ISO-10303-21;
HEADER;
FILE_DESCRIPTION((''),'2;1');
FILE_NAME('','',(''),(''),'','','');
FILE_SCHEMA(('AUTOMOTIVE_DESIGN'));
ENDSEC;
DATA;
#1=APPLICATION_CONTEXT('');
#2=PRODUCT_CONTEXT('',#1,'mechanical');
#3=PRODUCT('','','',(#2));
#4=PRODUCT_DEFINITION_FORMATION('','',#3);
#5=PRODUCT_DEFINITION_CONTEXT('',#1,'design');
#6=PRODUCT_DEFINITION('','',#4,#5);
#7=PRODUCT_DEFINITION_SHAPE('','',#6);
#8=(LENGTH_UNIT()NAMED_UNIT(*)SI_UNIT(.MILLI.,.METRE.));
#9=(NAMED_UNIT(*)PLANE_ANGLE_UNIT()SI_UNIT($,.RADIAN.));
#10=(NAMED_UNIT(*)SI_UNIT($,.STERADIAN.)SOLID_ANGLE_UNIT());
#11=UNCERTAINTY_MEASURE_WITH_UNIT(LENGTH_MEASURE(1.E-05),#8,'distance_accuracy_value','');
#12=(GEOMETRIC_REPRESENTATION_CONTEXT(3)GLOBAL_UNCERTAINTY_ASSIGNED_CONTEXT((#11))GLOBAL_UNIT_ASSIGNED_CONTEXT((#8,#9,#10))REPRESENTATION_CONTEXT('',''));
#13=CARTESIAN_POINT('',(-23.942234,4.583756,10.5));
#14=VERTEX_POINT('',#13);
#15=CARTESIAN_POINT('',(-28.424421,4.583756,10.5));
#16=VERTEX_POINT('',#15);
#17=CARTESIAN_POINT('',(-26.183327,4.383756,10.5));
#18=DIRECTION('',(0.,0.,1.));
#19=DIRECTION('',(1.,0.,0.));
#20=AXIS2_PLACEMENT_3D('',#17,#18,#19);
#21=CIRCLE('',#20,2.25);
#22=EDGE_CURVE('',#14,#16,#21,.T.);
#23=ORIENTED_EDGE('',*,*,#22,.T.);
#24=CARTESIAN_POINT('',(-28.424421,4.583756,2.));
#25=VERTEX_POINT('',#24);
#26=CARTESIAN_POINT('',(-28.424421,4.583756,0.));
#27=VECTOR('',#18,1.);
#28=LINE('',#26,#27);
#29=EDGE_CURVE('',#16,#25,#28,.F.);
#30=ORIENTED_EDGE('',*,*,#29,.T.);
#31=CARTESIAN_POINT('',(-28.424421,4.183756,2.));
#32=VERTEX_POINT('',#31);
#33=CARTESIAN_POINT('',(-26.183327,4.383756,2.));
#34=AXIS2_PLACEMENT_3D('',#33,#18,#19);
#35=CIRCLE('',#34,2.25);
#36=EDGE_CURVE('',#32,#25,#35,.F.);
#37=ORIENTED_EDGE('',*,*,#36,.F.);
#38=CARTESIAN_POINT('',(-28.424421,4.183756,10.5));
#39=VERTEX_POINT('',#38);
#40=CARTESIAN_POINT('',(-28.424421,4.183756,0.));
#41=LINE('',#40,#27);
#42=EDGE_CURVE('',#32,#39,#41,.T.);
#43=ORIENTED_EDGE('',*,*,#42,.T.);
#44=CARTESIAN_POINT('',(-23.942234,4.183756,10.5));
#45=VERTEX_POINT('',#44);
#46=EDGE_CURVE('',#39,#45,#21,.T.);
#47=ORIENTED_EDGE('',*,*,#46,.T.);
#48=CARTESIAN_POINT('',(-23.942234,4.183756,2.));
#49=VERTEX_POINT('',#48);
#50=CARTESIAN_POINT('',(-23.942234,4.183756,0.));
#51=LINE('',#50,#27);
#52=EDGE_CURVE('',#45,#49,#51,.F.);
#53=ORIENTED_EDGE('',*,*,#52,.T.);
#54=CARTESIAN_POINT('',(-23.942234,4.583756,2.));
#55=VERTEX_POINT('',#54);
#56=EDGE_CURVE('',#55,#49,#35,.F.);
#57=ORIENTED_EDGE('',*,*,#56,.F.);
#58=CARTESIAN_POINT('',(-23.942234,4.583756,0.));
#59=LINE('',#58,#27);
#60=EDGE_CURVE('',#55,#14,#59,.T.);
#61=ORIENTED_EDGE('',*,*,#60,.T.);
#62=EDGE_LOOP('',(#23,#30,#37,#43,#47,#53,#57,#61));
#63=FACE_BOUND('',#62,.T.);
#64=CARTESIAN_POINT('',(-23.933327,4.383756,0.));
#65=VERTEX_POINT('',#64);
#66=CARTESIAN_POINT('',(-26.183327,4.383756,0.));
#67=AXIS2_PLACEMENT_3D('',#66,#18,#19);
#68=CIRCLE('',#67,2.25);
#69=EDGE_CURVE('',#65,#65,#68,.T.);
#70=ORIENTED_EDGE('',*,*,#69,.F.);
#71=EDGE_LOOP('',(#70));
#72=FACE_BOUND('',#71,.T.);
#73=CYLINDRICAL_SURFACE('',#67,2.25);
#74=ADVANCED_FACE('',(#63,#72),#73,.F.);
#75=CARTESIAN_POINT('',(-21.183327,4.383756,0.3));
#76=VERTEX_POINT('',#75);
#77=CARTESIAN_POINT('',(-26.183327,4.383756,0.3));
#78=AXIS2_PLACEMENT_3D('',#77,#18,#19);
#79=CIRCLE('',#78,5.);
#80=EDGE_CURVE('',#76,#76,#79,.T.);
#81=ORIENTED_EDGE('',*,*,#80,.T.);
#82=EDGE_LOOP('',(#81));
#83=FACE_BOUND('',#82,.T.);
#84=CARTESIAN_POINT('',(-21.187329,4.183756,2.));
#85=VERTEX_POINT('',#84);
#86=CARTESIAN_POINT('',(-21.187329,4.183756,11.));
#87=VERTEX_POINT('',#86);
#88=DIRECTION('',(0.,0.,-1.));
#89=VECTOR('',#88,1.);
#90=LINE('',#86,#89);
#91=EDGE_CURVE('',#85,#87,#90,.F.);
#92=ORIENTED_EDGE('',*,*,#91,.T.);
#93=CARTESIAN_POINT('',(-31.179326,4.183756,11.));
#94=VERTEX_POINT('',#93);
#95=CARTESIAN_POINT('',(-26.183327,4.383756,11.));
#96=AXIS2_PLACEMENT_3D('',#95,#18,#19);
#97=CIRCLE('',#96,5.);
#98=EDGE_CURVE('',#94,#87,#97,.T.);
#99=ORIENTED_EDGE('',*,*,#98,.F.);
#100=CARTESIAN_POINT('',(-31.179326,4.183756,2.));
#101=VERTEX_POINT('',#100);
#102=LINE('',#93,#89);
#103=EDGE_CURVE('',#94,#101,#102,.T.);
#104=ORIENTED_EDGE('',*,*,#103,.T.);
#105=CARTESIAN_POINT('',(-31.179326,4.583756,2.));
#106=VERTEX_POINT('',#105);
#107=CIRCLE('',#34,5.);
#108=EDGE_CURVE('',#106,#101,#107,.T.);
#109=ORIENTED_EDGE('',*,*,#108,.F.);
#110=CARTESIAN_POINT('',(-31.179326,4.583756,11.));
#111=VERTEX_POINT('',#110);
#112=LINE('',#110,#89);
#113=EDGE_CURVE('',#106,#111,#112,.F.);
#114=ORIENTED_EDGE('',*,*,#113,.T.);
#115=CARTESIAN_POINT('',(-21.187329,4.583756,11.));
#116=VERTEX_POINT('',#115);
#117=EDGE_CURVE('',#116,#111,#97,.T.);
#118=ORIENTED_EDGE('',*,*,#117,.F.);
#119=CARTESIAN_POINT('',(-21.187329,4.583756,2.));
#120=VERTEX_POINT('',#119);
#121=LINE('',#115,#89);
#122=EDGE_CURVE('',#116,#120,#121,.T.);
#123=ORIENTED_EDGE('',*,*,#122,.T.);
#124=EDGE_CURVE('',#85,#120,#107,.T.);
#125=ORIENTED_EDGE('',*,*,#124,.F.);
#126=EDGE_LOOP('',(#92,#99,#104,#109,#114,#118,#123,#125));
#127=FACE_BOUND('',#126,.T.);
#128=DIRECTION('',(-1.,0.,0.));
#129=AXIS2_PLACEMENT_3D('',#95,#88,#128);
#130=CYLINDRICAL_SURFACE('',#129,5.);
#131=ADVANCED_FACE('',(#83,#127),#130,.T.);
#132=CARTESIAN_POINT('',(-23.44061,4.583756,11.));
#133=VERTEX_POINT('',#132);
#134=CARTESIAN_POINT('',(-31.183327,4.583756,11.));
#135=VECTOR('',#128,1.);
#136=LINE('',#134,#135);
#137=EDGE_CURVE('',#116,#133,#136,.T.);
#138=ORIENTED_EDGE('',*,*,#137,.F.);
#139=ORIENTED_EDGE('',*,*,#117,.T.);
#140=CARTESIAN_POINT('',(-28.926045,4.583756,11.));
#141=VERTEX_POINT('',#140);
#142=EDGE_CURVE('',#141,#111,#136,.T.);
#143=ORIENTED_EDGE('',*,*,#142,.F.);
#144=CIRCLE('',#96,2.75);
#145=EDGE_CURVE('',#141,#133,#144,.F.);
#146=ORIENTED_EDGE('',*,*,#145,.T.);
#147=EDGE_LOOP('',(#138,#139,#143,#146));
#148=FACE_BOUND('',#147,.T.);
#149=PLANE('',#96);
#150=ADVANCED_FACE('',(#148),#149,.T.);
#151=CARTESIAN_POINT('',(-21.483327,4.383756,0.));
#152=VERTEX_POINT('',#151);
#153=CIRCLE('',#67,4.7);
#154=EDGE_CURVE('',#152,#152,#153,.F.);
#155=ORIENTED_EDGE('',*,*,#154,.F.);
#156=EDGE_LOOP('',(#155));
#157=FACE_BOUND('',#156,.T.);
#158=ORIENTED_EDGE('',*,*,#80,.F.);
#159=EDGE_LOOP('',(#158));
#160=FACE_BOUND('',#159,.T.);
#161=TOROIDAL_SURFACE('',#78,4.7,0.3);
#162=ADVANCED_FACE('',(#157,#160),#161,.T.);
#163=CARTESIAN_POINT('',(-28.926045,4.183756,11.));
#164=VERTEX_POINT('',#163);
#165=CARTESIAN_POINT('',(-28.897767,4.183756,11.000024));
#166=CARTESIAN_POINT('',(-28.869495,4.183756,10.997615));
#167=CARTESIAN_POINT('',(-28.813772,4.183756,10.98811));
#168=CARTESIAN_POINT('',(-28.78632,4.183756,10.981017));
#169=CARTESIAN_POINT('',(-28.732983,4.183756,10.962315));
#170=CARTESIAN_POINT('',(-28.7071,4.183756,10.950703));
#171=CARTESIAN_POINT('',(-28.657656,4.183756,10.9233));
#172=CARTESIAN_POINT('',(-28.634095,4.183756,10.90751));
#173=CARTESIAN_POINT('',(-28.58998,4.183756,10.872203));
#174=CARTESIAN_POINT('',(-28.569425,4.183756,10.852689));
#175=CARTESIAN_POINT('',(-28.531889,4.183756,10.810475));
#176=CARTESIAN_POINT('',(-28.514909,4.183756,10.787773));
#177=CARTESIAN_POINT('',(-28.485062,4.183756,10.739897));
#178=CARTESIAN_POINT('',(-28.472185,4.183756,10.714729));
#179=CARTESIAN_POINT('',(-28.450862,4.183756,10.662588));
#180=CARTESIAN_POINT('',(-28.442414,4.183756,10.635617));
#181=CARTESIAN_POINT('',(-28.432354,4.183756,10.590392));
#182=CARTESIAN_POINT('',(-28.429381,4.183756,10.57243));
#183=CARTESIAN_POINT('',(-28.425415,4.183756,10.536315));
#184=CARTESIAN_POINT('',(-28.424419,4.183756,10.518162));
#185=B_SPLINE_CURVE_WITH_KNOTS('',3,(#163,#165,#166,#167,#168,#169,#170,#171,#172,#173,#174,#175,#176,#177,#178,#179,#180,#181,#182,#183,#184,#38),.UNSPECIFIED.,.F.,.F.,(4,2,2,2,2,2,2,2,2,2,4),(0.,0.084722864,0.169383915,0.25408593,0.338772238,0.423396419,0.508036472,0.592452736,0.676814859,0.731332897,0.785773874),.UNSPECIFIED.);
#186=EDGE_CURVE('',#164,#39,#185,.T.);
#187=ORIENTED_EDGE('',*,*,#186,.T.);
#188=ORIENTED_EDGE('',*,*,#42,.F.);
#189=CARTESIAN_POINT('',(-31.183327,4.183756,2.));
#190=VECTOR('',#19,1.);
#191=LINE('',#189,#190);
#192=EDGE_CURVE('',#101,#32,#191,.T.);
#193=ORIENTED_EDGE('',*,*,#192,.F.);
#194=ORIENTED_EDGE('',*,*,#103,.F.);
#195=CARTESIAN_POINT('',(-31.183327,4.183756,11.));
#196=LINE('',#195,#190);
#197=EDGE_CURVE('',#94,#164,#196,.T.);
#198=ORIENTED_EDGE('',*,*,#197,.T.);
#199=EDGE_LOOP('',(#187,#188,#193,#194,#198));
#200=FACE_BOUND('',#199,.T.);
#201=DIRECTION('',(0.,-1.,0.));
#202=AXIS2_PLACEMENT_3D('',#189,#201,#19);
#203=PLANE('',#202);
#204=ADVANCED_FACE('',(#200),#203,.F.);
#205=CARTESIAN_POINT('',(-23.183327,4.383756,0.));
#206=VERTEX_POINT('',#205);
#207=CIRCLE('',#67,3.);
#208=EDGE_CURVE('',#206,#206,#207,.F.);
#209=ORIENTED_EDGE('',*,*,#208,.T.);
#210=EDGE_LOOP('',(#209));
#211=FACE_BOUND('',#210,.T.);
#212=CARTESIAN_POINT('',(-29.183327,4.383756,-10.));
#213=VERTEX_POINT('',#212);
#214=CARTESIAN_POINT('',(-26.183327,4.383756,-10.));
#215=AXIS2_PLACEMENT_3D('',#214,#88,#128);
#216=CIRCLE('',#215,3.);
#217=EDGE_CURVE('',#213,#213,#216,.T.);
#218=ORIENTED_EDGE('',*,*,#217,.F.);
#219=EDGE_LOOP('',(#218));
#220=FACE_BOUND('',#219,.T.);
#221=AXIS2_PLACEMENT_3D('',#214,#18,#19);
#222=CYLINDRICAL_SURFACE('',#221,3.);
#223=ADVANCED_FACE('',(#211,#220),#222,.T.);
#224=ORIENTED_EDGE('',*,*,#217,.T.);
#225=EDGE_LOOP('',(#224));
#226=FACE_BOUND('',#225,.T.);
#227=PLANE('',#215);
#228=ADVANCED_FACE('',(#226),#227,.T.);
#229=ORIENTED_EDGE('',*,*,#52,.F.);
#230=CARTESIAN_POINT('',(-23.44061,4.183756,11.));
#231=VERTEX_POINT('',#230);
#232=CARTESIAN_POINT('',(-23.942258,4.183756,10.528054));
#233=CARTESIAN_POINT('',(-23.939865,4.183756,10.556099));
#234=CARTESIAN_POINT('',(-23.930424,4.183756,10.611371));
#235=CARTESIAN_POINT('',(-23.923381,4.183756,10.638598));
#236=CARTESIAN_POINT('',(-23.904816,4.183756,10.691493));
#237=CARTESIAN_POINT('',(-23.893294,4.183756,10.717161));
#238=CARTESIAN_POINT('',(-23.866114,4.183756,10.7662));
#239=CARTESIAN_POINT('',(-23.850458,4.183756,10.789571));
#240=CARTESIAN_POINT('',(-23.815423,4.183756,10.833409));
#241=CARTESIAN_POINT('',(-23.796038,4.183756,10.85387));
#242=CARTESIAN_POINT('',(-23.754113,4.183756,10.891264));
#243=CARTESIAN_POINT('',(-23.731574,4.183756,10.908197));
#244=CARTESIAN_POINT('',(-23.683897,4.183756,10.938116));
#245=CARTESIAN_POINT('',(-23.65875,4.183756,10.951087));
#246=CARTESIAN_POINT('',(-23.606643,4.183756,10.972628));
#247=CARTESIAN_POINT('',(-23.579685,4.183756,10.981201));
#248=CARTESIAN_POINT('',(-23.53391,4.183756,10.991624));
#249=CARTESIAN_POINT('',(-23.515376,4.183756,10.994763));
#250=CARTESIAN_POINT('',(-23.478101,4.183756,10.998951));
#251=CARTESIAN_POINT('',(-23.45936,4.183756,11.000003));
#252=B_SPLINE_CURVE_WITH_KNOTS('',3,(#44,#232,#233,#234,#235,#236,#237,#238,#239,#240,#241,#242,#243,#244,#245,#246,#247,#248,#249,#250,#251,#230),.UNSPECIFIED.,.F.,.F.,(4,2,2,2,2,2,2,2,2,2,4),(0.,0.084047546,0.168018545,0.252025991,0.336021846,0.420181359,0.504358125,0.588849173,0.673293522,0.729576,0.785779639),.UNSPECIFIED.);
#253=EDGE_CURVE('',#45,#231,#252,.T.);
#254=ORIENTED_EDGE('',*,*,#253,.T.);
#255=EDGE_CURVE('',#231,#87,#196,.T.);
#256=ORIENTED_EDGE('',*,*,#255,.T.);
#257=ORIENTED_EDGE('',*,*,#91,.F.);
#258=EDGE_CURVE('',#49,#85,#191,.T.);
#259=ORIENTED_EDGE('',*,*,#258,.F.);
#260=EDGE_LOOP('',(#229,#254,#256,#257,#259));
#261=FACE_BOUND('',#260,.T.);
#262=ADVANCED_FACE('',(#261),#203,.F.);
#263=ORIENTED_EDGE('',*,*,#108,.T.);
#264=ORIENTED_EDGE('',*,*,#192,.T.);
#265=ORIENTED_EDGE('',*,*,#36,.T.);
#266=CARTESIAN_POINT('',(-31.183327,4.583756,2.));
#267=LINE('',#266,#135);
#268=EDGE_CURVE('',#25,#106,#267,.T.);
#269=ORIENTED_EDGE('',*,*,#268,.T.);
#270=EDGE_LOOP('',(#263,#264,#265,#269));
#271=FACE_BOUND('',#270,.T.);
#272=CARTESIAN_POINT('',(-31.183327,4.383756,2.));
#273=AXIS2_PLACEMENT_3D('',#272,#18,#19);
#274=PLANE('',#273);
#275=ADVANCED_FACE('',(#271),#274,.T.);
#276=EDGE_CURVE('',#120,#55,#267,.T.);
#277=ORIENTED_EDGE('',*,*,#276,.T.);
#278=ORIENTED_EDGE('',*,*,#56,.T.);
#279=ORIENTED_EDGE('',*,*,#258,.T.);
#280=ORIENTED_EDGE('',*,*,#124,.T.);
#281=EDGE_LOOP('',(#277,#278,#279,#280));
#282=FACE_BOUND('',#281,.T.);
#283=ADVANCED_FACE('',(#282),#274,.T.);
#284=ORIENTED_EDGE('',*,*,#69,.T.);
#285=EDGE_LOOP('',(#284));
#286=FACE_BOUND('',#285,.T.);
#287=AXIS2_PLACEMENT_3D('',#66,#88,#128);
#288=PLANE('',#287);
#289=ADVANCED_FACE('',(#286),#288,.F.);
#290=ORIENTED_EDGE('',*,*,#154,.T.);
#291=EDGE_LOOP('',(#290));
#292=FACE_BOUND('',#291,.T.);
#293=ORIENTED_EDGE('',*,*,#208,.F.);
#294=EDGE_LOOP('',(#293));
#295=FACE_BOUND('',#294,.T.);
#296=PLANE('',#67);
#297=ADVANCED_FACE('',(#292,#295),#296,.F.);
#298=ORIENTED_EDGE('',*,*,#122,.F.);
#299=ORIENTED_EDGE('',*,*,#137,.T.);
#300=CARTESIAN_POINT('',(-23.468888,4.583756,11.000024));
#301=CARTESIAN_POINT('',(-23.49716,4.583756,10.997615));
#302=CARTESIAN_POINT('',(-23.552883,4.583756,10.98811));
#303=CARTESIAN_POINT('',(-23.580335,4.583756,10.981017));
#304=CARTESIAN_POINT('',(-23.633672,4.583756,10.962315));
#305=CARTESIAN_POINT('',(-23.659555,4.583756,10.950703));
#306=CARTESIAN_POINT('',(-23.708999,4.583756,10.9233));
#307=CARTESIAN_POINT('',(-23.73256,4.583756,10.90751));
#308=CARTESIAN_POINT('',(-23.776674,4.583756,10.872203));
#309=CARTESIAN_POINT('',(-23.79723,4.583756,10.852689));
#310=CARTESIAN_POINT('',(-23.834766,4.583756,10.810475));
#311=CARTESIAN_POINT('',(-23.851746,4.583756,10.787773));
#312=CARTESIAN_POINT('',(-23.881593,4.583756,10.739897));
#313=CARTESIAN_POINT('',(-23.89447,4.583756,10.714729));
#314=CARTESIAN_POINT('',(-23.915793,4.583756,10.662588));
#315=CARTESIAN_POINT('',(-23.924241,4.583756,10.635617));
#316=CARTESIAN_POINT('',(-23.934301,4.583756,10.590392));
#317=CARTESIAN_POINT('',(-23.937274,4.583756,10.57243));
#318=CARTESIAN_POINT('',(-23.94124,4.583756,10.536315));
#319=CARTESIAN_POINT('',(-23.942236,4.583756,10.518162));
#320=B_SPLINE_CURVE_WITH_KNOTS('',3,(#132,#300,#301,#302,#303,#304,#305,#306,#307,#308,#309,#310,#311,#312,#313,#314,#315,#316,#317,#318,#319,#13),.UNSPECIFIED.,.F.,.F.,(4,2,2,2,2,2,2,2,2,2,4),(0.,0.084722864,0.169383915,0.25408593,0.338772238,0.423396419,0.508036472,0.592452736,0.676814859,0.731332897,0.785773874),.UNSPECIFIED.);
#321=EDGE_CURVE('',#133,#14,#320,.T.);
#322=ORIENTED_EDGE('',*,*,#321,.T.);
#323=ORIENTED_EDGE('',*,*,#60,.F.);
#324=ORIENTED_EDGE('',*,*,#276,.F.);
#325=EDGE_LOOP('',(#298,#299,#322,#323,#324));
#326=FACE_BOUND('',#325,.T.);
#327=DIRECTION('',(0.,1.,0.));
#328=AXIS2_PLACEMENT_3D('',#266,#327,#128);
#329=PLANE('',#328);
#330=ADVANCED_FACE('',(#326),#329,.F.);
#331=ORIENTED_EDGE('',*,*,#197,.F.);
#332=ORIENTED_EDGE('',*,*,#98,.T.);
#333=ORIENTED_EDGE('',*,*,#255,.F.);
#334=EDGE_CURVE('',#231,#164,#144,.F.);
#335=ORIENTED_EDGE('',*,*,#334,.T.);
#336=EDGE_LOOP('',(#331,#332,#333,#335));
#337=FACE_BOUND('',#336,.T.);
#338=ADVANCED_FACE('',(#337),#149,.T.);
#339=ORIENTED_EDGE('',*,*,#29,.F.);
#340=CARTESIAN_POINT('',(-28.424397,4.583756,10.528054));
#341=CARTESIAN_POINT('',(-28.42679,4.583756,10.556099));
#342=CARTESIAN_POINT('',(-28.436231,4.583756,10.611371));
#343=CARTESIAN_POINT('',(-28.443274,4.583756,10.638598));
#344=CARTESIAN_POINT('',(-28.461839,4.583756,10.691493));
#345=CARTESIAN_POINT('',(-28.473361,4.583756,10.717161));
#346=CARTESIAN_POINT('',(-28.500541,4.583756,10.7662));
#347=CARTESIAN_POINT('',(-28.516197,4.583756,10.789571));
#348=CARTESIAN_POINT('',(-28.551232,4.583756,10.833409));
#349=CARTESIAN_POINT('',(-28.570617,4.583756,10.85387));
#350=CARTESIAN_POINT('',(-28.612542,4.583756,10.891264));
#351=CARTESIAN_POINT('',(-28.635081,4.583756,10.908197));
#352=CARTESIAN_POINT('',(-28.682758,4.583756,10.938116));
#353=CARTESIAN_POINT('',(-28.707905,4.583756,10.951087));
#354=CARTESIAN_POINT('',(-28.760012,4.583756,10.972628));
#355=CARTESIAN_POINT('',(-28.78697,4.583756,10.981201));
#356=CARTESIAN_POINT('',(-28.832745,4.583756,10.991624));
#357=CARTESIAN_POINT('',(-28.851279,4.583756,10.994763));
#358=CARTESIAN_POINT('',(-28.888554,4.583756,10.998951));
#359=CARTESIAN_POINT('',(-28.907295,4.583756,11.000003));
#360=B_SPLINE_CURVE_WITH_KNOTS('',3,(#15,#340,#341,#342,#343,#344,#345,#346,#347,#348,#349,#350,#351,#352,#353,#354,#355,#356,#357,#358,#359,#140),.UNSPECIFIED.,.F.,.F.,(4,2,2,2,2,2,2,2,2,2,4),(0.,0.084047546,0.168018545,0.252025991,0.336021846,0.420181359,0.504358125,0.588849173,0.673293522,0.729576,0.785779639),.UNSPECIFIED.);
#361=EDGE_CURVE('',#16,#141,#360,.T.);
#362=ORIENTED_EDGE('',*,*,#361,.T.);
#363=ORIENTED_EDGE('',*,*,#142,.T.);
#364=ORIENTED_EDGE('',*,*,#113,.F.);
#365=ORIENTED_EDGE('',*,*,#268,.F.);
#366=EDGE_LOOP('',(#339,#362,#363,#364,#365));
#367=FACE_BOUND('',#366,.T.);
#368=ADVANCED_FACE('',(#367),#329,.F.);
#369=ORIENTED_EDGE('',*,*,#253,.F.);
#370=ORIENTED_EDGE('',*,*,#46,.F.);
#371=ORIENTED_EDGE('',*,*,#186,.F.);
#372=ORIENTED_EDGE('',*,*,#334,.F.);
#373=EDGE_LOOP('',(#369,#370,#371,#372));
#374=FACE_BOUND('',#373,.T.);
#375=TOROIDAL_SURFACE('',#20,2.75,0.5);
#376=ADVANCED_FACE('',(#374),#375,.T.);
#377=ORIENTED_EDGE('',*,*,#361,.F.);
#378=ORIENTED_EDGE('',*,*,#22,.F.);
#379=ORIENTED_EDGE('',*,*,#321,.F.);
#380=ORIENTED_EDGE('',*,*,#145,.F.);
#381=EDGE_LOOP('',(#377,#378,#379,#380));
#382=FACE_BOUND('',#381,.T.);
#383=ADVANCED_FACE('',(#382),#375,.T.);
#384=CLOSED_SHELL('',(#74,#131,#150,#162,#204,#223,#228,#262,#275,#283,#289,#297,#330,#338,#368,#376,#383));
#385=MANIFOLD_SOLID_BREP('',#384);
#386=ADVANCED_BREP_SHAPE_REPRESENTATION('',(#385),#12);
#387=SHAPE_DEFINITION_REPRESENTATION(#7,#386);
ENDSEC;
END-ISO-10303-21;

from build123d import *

# Parameters (mm, degrees)
ESBO_O1_R                = 5
RESSALTO_EXTRUS_O1_DEPTH = 11
ESBO_O2_R                = 2.25
CORTE_EXTRUS_O1_DEPTH    = 11
ESBO_O3_R                = 3
RESSALTO_EXTRUS_O2_DEPTH = 10
CORTE_EXTRUS_O2_DEPTH    = 9
FILETE1_R                = 0.5
FILETE2_R                = 0.3


with BuildPart() as part:
    # Esboço1 → Ressalto-extrusão1 (new body)
    with BuildSketch(Plane.XY):
        with Locations((-26.183327478, 4.383756345)):
            Circle(ESBO_O1_R)
    extrude(amount=RESSALTO_EXTRUS_O1_DEPTH)

    # Esboço2 → Corte-extrusão1 (cut)
    with BuildSketch(Plane.XY.offset(11)):
        with Locations((-26.183327478, 4.383756345)):
            Circle(ESBO_O2_R)
    extrude(amount=-CORTE_EXTRUS_O1_DEPTH, mode=Mode.SUBTRACT)

    # Esboço3 → Ressalto-extrusão2 (add)
    with BuildSketch(Plane(origin=(0, 0, 0), x_dir=(-1, 0, 0), z_dir=(0, 0, -1))):
        with Locations(Location((26.183327478, 4.383756345, 0), (0, 0, 180))):
            Circle(ESBO_O3_R)
    extrude(amount=RESSALTO_EXTRUS_O2_DEPTH)

    # Esboço4 → Corte-extrusão2 (cut)
    with BuildSketch(Plane.XY.offset(11)):
        with BuildLine():
            Line((-31.183327478, 4.583756345), (-21.183327478, 4.583756345))
            ThreePointArc((-21.183327478, 4.583756345), (-20.983327478, 4.383756345), (-21.183327478, 4.183756345))
            Line((-21.183327478, 4.183756345), (-31.183327478, 4.183756345))
            ThreePointArc((-31.183327478, 4.183756345), (-31.383327478, 4.383756345), (-31.183327478, 4.583756345))
        make_face()
    extrude(amount=-CORTE_EXTRUS_O2_DEPTH, mode=Mode.SUBTRACT)

    # Filete1
    filete1_edges = [part.edges().sort_by_distance(p)[0] for p in [
        (-26.183327478, 2.133756345, 11),
        (-26.183327478, 6.633756345, 11),
    ]]
    fillet(filete1_edges, radius=FILETE1_R)

    # Filete2
    filete2_edges = [part.edges().sort_by_distance(p)[0] for p in [
        (-31.183327478, 4.383756345, 0),
    ]]
    fillet(filete2_edges, radius=FILETE2_R)


solid = part.part
